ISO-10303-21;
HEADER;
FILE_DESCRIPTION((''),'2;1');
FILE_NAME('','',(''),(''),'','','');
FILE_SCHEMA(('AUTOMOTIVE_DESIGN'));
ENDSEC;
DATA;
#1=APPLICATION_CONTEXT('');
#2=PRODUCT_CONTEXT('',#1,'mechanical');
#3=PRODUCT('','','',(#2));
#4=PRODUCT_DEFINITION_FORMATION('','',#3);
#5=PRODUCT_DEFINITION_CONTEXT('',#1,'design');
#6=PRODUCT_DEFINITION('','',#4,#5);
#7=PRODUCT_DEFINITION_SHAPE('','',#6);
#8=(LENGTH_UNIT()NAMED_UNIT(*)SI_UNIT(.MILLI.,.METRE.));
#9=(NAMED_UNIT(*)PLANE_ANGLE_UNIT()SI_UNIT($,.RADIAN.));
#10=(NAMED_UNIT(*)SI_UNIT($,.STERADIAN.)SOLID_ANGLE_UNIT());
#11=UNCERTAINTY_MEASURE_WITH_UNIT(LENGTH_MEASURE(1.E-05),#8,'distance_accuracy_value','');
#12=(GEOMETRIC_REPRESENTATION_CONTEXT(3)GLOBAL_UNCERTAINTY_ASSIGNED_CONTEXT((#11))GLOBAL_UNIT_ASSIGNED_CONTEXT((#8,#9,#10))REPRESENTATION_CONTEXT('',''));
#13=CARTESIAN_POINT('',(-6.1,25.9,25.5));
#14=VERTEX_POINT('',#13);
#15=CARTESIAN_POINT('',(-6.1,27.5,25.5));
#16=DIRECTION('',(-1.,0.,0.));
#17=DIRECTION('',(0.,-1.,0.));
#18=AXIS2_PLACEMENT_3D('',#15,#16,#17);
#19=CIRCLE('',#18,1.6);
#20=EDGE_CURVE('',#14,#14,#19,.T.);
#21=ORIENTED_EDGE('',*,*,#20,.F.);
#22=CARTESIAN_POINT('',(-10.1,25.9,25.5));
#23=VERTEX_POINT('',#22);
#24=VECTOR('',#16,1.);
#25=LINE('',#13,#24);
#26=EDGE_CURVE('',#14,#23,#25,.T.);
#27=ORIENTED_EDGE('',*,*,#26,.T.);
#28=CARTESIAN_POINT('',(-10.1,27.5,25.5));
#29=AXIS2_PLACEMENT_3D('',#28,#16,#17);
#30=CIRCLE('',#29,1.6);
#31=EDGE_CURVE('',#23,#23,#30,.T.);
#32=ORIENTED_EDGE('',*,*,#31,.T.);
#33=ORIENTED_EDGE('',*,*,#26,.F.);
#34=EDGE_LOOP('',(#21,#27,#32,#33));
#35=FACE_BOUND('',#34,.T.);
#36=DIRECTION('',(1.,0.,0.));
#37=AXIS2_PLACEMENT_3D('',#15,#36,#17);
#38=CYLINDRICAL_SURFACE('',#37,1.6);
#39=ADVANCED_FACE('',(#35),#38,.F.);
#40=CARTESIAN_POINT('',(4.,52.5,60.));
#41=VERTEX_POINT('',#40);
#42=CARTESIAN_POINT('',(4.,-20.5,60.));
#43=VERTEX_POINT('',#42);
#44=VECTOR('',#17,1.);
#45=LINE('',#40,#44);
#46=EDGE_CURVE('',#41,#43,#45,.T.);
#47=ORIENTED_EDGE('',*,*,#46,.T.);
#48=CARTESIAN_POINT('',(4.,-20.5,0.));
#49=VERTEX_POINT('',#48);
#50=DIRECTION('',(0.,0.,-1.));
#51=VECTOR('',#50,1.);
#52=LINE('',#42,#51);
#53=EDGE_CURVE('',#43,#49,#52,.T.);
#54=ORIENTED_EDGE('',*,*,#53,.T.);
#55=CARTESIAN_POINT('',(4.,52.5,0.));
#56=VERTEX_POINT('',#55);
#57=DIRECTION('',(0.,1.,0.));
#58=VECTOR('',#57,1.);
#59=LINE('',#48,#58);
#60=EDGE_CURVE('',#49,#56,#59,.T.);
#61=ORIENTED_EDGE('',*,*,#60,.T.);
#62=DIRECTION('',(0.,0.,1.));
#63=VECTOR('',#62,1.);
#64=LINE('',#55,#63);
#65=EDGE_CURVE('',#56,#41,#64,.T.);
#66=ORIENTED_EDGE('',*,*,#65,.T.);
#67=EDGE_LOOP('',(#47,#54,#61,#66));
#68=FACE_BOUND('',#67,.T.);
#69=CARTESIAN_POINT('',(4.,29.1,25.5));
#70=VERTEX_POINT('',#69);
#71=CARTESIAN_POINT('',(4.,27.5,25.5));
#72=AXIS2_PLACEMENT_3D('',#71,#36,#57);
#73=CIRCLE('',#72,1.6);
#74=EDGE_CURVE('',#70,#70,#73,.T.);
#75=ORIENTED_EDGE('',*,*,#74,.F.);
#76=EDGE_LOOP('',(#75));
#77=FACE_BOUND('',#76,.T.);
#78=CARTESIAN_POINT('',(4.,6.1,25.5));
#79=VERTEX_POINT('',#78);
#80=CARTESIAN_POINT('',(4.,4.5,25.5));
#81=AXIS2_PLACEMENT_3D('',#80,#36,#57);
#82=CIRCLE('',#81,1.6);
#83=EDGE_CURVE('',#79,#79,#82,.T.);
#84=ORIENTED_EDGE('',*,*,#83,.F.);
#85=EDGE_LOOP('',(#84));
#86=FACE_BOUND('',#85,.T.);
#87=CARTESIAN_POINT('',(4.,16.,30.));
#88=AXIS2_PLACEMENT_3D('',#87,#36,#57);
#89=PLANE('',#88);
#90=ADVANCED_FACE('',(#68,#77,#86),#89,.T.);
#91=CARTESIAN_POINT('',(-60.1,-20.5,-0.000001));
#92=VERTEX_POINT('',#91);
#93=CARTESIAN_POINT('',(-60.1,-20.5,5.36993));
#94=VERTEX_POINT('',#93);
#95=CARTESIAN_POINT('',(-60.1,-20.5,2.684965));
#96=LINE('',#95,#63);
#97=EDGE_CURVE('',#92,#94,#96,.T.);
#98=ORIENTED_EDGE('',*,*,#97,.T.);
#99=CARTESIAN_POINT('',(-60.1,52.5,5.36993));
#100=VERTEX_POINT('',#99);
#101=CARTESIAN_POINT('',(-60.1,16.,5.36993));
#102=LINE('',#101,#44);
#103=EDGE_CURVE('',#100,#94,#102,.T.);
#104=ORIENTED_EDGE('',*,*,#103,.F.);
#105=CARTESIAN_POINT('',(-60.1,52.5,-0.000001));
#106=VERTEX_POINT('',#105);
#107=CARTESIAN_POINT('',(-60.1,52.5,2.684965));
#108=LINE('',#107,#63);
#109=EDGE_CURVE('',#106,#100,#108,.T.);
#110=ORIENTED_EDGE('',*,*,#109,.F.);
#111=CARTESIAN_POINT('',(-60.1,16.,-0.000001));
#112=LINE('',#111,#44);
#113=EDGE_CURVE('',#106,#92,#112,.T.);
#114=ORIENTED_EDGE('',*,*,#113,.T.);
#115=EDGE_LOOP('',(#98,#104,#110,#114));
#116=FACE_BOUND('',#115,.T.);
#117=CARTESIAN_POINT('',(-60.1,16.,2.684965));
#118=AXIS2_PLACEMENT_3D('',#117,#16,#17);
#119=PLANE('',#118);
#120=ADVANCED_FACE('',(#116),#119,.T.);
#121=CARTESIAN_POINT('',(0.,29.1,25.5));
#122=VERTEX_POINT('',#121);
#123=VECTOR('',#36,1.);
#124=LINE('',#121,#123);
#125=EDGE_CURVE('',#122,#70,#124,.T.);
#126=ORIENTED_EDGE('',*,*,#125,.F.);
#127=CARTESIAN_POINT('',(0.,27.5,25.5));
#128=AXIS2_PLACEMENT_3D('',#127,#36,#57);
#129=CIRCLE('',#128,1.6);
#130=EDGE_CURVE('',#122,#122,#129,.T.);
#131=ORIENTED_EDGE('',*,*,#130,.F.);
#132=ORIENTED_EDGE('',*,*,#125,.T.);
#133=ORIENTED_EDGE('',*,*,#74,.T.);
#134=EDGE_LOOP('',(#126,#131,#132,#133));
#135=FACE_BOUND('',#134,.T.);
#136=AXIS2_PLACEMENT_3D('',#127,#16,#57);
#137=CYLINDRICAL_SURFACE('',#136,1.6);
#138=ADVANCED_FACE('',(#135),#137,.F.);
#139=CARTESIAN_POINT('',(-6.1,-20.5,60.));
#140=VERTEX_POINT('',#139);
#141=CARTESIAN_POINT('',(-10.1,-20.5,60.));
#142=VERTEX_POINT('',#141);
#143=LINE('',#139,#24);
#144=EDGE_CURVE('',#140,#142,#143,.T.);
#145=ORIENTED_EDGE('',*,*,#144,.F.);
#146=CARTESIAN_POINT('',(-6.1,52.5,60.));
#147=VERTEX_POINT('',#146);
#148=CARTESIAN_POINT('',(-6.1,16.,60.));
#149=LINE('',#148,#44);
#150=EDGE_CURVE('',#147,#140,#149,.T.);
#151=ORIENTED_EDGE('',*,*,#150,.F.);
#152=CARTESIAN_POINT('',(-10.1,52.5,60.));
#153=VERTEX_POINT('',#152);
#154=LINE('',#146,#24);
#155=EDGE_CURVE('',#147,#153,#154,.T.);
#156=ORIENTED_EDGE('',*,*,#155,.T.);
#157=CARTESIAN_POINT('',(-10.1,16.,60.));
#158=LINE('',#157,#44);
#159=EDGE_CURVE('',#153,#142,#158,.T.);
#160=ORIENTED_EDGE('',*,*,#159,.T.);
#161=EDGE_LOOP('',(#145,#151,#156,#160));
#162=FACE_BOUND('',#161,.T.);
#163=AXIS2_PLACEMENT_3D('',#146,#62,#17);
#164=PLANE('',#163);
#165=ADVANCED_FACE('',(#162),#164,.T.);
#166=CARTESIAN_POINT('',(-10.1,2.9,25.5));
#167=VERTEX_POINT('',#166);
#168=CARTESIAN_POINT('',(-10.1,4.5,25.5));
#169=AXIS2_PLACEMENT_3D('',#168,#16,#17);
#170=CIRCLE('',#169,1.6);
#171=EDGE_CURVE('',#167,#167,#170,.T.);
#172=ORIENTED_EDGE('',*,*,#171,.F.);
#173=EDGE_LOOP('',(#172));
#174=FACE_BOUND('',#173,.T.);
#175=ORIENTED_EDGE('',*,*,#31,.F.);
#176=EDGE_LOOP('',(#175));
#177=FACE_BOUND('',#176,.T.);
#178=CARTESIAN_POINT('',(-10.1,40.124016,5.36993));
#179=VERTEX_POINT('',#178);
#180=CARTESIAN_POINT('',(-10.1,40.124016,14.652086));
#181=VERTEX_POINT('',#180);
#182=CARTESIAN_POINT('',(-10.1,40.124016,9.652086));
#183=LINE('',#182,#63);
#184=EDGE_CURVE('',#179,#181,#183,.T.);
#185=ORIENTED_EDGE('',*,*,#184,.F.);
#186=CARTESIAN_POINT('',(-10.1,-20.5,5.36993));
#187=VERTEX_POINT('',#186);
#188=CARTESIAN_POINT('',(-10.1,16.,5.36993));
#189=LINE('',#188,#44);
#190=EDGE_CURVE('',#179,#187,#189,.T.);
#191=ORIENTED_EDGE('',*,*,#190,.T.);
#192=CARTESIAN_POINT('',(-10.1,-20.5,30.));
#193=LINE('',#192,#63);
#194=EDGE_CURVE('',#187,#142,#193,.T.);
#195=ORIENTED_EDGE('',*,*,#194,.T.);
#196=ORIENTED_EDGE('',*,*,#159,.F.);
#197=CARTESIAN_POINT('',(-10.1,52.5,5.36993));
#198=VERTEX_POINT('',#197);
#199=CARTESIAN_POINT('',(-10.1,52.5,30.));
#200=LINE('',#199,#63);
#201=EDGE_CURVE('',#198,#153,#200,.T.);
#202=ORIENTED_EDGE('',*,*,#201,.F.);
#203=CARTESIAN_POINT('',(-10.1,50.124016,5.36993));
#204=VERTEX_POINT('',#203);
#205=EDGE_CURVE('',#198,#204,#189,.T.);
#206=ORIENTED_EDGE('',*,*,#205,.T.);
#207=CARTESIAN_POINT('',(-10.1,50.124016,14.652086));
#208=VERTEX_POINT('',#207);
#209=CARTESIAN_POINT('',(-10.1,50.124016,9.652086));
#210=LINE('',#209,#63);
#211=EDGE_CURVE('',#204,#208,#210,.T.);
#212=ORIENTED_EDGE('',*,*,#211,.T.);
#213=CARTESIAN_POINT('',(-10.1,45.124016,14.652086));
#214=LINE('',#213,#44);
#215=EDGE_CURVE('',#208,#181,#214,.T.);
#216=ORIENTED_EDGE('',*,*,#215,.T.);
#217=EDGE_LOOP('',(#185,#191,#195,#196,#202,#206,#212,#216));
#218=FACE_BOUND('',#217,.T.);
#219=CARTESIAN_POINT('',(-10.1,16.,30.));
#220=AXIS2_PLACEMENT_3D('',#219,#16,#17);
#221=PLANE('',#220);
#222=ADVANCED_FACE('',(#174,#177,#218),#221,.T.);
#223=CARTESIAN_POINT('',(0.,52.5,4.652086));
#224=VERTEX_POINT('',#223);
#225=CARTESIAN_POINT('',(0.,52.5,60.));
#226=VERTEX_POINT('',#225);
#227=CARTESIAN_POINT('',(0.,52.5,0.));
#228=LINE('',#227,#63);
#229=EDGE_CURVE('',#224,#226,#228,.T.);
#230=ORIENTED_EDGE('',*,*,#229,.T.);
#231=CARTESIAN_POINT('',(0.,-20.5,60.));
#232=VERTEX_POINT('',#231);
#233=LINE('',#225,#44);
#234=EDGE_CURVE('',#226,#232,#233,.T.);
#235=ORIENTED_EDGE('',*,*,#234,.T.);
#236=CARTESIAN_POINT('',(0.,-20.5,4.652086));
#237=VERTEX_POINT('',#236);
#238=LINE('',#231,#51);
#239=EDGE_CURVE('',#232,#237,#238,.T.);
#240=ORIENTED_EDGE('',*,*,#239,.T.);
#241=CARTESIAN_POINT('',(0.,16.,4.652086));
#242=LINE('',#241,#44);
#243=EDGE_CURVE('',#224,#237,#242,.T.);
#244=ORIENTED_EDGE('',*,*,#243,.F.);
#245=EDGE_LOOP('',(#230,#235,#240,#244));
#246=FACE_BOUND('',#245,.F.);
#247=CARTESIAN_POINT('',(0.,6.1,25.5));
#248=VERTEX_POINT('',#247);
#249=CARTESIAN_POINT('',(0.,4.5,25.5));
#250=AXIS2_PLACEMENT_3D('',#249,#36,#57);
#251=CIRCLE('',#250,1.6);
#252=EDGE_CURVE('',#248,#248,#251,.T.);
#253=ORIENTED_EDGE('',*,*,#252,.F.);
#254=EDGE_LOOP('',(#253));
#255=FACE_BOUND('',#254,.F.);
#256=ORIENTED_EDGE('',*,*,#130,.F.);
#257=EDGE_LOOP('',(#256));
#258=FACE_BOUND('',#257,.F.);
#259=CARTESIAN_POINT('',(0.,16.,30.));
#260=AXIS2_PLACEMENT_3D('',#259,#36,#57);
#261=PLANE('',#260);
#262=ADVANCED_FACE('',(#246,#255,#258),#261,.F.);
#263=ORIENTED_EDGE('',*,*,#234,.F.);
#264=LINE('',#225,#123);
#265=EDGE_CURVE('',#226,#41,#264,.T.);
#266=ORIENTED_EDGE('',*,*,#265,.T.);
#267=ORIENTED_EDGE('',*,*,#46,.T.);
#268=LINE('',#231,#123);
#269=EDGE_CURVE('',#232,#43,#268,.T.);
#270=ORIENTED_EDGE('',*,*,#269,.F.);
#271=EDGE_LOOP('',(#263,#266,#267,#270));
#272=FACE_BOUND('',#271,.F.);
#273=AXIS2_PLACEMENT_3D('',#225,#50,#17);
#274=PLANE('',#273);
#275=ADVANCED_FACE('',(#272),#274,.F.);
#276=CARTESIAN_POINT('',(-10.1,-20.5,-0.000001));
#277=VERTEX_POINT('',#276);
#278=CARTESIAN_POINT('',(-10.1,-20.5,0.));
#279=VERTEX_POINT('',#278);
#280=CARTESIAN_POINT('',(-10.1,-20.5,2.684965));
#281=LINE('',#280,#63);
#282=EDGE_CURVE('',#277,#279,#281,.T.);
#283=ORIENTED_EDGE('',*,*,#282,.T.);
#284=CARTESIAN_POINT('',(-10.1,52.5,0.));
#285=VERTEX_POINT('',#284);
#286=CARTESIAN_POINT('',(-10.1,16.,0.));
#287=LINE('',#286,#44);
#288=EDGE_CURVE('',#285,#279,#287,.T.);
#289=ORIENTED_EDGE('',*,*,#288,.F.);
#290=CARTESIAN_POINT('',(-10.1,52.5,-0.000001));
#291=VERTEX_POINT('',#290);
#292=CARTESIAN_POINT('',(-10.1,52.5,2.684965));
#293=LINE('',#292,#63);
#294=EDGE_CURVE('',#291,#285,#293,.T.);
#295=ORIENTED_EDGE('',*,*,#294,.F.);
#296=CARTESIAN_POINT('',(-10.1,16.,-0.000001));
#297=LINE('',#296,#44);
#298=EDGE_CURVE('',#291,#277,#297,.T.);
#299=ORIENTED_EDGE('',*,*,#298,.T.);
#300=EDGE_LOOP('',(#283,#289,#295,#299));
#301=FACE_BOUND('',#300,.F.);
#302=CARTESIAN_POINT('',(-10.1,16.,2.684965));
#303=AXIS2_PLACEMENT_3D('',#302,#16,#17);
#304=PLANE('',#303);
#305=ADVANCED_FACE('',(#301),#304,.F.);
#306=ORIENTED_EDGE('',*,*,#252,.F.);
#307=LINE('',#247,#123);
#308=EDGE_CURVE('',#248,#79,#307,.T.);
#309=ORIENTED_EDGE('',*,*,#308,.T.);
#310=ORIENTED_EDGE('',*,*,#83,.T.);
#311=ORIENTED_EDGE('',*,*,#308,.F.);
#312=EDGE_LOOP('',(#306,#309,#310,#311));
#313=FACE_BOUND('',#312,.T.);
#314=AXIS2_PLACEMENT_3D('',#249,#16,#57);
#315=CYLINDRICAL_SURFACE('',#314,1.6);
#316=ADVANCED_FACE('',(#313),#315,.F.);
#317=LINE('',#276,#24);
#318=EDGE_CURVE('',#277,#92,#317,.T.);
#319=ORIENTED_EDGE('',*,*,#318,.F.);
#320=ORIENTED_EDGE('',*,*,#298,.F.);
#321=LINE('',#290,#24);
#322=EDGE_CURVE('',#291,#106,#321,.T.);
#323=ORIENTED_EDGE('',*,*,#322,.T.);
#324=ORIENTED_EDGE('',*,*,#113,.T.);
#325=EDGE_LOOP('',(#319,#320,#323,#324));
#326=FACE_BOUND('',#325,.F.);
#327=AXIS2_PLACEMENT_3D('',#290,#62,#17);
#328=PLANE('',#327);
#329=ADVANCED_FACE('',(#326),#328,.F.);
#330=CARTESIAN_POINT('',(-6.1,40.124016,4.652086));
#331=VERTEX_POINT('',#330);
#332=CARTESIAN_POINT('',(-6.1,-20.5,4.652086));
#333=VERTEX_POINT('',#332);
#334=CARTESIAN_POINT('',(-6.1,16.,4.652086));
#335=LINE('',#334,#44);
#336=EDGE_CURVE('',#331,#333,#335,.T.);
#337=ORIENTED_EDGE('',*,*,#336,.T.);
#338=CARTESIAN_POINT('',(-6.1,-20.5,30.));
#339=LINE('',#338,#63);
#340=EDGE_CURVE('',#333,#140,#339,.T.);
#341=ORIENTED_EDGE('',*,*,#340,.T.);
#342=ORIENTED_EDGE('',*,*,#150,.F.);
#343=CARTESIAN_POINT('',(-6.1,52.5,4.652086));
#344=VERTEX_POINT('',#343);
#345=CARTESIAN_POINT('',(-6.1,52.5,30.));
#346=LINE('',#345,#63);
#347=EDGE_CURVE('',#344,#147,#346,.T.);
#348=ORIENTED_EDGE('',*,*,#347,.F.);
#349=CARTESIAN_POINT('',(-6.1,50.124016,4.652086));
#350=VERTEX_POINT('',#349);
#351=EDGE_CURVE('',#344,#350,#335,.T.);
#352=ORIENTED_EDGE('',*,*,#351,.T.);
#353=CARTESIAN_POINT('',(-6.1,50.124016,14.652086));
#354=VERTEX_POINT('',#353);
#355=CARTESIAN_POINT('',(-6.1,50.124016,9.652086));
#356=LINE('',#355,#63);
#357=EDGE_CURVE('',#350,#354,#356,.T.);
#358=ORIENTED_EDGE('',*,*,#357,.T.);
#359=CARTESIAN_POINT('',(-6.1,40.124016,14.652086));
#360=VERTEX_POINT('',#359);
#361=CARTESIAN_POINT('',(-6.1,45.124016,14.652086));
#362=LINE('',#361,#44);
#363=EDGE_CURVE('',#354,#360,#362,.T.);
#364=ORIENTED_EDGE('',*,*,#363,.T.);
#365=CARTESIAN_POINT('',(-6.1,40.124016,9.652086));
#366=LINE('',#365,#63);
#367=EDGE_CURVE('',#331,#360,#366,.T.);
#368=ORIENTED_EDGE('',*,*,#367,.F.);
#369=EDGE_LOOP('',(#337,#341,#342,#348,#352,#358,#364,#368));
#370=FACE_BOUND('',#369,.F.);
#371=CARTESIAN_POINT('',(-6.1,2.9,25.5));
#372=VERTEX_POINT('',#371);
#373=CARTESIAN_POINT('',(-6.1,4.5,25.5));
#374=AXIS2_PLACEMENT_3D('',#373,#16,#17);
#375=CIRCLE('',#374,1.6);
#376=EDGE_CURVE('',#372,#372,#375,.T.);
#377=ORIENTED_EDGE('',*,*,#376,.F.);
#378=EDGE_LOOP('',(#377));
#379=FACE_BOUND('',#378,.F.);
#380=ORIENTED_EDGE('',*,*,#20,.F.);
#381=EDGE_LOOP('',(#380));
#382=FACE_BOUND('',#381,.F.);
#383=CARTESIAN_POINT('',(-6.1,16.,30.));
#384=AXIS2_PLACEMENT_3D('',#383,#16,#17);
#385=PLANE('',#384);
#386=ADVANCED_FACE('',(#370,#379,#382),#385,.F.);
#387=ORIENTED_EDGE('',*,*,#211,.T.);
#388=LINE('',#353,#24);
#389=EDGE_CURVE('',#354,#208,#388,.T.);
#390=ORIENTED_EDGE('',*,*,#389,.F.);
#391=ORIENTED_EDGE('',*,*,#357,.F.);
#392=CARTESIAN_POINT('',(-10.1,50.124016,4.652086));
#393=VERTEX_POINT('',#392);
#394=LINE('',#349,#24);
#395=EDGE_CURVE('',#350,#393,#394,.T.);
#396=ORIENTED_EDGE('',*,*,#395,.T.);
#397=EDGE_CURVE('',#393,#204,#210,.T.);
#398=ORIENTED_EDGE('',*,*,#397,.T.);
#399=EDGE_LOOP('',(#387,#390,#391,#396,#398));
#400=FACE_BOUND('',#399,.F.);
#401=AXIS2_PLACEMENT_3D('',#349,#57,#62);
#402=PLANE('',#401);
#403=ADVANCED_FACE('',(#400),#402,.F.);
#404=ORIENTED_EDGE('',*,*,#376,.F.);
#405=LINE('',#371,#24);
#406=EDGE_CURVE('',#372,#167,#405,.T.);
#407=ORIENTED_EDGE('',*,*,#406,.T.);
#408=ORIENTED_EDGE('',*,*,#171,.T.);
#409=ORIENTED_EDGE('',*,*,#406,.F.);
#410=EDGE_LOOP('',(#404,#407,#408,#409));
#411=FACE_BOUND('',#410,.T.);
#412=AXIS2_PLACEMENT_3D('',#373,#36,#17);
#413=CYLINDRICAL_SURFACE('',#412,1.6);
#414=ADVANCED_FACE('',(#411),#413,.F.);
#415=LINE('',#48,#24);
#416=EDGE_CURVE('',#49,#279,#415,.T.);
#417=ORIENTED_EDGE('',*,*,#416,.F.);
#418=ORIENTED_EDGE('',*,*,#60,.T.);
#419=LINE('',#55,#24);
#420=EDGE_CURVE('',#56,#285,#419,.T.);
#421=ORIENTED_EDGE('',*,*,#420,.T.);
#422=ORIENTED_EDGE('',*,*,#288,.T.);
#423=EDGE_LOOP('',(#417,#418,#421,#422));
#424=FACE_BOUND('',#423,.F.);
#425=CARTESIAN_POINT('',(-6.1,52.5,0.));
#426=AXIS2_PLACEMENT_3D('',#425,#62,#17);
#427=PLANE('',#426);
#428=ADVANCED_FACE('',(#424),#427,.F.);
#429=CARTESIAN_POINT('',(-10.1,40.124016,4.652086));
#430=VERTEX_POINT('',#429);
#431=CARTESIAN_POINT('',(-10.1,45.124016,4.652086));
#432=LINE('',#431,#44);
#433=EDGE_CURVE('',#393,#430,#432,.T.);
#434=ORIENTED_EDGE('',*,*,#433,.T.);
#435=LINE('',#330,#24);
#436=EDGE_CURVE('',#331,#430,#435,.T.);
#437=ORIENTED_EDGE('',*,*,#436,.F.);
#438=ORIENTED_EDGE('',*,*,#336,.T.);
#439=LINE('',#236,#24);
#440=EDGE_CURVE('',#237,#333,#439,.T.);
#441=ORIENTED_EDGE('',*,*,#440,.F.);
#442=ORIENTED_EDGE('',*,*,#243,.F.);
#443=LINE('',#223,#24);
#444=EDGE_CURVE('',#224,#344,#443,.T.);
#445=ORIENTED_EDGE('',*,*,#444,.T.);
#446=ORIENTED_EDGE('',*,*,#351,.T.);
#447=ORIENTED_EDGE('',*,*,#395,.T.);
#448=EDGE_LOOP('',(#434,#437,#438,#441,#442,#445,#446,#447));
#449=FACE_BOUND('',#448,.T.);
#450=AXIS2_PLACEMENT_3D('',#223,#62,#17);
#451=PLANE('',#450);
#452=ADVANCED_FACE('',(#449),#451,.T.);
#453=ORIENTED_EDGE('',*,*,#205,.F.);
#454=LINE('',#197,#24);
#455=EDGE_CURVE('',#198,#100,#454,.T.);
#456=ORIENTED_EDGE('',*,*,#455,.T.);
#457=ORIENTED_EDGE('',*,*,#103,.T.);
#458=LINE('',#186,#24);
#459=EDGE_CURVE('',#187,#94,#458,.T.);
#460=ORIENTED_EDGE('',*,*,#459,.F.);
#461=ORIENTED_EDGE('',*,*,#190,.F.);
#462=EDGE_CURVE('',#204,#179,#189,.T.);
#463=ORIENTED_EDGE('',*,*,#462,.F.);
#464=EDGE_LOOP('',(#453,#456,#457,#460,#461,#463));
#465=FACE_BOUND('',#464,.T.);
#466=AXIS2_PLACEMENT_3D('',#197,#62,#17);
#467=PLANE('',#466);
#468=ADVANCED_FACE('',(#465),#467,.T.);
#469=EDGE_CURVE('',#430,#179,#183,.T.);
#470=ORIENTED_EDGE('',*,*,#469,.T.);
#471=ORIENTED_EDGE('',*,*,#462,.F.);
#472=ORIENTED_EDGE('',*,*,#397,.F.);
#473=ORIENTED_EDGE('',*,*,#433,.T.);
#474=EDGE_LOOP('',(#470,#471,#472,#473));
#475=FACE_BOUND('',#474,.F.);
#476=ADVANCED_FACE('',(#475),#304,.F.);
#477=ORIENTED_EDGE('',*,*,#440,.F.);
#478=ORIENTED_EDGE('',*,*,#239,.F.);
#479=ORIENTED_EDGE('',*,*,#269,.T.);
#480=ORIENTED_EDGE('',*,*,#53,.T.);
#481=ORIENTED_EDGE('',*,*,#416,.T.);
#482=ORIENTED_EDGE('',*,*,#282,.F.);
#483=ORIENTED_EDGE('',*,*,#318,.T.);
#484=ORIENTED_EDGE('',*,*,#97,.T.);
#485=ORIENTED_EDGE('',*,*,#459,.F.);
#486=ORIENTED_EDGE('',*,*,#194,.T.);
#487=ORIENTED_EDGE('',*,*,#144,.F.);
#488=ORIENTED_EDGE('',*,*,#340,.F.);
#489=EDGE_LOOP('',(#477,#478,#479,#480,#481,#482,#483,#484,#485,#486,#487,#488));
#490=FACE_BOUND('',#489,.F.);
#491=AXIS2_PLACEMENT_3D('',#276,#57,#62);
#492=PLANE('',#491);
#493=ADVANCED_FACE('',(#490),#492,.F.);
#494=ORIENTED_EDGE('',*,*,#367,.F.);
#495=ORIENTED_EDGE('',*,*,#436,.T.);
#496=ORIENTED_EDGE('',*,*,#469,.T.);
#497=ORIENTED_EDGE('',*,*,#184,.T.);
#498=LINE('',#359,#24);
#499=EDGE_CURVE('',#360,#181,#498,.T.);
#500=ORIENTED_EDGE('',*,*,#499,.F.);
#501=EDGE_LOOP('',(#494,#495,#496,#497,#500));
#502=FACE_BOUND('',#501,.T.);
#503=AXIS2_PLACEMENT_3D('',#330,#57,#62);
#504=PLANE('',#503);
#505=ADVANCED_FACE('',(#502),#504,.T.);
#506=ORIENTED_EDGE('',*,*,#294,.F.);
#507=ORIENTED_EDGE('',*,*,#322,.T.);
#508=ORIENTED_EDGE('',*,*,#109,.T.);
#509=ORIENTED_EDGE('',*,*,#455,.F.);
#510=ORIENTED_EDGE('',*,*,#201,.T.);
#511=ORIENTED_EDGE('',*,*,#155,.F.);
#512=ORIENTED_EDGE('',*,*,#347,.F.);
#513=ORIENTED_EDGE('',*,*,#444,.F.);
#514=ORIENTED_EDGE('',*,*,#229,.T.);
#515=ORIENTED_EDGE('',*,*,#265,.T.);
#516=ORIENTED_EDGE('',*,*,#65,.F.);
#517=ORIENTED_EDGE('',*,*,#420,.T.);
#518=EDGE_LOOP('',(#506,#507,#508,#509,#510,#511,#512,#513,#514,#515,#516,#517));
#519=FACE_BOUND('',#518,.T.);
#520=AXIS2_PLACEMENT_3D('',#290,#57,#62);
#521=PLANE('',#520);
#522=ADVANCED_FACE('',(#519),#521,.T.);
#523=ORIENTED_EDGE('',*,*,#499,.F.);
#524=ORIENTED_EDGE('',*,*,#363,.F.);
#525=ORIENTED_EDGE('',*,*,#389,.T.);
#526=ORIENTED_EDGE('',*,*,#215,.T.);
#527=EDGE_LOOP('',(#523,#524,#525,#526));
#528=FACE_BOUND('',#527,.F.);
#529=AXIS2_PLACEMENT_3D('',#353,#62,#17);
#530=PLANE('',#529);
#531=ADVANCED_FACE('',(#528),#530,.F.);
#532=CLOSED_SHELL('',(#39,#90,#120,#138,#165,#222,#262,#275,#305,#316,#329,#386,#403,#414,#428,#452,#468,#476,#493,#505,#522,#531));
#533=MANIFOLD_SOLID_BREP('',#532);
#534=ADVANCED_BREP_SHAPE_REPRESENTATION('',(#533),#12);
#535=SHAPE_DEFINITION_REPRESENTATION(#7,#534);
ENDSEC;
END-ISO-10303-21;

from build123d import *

# Parameters (mm, degrees)
F0_R     = 1.6
F1_DEPTH = 4
F2_W     = 73
F2_H     = 4.652086
F3_DEPTH = 6.1
F4_W     = 73
F4_H     = 60
F4_W_2   = 10
F4_H_2   = 10
F4_R     = 1.6
F5_DEPTH = 4
F6_W     = 73
F6_H     = 5.369931
F7_DEPTH = 50


with BuildPart() as f1:
    # F0 (on Right) → F1 (new body)
    with BuildSketch(Plane.YZ):
        Polygon((-20.5, 0), (0, 0), (32, 0), (52.5, 0), (52.5, 60), (32, 60), (0, 60), (-20.5, 60), align=None)
        with Locations((4.5, 25.5)):
            Circle(F0_R, mode=Mode.SUBTRACT)
        with Locations((27.5, 25.5)):
            Circle(F0_R, mode=Mode.SUBTRACT)
    extrude(amount=F1_DEPTH)

    # F2 (on face) → F3 (join)
    with BuildSketch(Plane(origin=(0, 0, 0), x_dir=(0, -1, 0), z_dir=(-1, 0, 0))):
        with Locations((-16, 2.326043)):
            Rectangle(F2_W, F2_H)
    extrude(amount=F3_DEPTH)

    # F4 (on face) → F5 (join)
    with BuildSketch(Plane(origin=(-6.1, 0, 0), x_dir=(0, -1, 0), z_dir=(-1, 0, 0))):
        with Locations((-16, 30)):
            Rectangle(F4_W, F4_H)
        with Locations((-45.124016, 9.652086)):
            Rectangle(F4_W_2, F4_H_2, mode=Mode.SUBTRACT)
        with Locations((-27.5, 25.5)):
            Circle(F4_R, mode=Mode.SUBTRACT)
        with Locations((-4.5, 25.5)):
            Circle(F4_R, mode=Mode.SUBTRACT)
    extrude(amount=F5_DEPTH)

    # F6 (on face) → F7 (join)
    with BuildSketch(Plane(origin=(-10.1, 0, 0), x_dir=(0, -1, 0), z_dir=(-1, 0, 0))):
        with Locations((-16, 2.684965)):
            Rectangle(F6_W, F6_H)
    extrude(amount=F7_DEPTH)


solid = f1.part
